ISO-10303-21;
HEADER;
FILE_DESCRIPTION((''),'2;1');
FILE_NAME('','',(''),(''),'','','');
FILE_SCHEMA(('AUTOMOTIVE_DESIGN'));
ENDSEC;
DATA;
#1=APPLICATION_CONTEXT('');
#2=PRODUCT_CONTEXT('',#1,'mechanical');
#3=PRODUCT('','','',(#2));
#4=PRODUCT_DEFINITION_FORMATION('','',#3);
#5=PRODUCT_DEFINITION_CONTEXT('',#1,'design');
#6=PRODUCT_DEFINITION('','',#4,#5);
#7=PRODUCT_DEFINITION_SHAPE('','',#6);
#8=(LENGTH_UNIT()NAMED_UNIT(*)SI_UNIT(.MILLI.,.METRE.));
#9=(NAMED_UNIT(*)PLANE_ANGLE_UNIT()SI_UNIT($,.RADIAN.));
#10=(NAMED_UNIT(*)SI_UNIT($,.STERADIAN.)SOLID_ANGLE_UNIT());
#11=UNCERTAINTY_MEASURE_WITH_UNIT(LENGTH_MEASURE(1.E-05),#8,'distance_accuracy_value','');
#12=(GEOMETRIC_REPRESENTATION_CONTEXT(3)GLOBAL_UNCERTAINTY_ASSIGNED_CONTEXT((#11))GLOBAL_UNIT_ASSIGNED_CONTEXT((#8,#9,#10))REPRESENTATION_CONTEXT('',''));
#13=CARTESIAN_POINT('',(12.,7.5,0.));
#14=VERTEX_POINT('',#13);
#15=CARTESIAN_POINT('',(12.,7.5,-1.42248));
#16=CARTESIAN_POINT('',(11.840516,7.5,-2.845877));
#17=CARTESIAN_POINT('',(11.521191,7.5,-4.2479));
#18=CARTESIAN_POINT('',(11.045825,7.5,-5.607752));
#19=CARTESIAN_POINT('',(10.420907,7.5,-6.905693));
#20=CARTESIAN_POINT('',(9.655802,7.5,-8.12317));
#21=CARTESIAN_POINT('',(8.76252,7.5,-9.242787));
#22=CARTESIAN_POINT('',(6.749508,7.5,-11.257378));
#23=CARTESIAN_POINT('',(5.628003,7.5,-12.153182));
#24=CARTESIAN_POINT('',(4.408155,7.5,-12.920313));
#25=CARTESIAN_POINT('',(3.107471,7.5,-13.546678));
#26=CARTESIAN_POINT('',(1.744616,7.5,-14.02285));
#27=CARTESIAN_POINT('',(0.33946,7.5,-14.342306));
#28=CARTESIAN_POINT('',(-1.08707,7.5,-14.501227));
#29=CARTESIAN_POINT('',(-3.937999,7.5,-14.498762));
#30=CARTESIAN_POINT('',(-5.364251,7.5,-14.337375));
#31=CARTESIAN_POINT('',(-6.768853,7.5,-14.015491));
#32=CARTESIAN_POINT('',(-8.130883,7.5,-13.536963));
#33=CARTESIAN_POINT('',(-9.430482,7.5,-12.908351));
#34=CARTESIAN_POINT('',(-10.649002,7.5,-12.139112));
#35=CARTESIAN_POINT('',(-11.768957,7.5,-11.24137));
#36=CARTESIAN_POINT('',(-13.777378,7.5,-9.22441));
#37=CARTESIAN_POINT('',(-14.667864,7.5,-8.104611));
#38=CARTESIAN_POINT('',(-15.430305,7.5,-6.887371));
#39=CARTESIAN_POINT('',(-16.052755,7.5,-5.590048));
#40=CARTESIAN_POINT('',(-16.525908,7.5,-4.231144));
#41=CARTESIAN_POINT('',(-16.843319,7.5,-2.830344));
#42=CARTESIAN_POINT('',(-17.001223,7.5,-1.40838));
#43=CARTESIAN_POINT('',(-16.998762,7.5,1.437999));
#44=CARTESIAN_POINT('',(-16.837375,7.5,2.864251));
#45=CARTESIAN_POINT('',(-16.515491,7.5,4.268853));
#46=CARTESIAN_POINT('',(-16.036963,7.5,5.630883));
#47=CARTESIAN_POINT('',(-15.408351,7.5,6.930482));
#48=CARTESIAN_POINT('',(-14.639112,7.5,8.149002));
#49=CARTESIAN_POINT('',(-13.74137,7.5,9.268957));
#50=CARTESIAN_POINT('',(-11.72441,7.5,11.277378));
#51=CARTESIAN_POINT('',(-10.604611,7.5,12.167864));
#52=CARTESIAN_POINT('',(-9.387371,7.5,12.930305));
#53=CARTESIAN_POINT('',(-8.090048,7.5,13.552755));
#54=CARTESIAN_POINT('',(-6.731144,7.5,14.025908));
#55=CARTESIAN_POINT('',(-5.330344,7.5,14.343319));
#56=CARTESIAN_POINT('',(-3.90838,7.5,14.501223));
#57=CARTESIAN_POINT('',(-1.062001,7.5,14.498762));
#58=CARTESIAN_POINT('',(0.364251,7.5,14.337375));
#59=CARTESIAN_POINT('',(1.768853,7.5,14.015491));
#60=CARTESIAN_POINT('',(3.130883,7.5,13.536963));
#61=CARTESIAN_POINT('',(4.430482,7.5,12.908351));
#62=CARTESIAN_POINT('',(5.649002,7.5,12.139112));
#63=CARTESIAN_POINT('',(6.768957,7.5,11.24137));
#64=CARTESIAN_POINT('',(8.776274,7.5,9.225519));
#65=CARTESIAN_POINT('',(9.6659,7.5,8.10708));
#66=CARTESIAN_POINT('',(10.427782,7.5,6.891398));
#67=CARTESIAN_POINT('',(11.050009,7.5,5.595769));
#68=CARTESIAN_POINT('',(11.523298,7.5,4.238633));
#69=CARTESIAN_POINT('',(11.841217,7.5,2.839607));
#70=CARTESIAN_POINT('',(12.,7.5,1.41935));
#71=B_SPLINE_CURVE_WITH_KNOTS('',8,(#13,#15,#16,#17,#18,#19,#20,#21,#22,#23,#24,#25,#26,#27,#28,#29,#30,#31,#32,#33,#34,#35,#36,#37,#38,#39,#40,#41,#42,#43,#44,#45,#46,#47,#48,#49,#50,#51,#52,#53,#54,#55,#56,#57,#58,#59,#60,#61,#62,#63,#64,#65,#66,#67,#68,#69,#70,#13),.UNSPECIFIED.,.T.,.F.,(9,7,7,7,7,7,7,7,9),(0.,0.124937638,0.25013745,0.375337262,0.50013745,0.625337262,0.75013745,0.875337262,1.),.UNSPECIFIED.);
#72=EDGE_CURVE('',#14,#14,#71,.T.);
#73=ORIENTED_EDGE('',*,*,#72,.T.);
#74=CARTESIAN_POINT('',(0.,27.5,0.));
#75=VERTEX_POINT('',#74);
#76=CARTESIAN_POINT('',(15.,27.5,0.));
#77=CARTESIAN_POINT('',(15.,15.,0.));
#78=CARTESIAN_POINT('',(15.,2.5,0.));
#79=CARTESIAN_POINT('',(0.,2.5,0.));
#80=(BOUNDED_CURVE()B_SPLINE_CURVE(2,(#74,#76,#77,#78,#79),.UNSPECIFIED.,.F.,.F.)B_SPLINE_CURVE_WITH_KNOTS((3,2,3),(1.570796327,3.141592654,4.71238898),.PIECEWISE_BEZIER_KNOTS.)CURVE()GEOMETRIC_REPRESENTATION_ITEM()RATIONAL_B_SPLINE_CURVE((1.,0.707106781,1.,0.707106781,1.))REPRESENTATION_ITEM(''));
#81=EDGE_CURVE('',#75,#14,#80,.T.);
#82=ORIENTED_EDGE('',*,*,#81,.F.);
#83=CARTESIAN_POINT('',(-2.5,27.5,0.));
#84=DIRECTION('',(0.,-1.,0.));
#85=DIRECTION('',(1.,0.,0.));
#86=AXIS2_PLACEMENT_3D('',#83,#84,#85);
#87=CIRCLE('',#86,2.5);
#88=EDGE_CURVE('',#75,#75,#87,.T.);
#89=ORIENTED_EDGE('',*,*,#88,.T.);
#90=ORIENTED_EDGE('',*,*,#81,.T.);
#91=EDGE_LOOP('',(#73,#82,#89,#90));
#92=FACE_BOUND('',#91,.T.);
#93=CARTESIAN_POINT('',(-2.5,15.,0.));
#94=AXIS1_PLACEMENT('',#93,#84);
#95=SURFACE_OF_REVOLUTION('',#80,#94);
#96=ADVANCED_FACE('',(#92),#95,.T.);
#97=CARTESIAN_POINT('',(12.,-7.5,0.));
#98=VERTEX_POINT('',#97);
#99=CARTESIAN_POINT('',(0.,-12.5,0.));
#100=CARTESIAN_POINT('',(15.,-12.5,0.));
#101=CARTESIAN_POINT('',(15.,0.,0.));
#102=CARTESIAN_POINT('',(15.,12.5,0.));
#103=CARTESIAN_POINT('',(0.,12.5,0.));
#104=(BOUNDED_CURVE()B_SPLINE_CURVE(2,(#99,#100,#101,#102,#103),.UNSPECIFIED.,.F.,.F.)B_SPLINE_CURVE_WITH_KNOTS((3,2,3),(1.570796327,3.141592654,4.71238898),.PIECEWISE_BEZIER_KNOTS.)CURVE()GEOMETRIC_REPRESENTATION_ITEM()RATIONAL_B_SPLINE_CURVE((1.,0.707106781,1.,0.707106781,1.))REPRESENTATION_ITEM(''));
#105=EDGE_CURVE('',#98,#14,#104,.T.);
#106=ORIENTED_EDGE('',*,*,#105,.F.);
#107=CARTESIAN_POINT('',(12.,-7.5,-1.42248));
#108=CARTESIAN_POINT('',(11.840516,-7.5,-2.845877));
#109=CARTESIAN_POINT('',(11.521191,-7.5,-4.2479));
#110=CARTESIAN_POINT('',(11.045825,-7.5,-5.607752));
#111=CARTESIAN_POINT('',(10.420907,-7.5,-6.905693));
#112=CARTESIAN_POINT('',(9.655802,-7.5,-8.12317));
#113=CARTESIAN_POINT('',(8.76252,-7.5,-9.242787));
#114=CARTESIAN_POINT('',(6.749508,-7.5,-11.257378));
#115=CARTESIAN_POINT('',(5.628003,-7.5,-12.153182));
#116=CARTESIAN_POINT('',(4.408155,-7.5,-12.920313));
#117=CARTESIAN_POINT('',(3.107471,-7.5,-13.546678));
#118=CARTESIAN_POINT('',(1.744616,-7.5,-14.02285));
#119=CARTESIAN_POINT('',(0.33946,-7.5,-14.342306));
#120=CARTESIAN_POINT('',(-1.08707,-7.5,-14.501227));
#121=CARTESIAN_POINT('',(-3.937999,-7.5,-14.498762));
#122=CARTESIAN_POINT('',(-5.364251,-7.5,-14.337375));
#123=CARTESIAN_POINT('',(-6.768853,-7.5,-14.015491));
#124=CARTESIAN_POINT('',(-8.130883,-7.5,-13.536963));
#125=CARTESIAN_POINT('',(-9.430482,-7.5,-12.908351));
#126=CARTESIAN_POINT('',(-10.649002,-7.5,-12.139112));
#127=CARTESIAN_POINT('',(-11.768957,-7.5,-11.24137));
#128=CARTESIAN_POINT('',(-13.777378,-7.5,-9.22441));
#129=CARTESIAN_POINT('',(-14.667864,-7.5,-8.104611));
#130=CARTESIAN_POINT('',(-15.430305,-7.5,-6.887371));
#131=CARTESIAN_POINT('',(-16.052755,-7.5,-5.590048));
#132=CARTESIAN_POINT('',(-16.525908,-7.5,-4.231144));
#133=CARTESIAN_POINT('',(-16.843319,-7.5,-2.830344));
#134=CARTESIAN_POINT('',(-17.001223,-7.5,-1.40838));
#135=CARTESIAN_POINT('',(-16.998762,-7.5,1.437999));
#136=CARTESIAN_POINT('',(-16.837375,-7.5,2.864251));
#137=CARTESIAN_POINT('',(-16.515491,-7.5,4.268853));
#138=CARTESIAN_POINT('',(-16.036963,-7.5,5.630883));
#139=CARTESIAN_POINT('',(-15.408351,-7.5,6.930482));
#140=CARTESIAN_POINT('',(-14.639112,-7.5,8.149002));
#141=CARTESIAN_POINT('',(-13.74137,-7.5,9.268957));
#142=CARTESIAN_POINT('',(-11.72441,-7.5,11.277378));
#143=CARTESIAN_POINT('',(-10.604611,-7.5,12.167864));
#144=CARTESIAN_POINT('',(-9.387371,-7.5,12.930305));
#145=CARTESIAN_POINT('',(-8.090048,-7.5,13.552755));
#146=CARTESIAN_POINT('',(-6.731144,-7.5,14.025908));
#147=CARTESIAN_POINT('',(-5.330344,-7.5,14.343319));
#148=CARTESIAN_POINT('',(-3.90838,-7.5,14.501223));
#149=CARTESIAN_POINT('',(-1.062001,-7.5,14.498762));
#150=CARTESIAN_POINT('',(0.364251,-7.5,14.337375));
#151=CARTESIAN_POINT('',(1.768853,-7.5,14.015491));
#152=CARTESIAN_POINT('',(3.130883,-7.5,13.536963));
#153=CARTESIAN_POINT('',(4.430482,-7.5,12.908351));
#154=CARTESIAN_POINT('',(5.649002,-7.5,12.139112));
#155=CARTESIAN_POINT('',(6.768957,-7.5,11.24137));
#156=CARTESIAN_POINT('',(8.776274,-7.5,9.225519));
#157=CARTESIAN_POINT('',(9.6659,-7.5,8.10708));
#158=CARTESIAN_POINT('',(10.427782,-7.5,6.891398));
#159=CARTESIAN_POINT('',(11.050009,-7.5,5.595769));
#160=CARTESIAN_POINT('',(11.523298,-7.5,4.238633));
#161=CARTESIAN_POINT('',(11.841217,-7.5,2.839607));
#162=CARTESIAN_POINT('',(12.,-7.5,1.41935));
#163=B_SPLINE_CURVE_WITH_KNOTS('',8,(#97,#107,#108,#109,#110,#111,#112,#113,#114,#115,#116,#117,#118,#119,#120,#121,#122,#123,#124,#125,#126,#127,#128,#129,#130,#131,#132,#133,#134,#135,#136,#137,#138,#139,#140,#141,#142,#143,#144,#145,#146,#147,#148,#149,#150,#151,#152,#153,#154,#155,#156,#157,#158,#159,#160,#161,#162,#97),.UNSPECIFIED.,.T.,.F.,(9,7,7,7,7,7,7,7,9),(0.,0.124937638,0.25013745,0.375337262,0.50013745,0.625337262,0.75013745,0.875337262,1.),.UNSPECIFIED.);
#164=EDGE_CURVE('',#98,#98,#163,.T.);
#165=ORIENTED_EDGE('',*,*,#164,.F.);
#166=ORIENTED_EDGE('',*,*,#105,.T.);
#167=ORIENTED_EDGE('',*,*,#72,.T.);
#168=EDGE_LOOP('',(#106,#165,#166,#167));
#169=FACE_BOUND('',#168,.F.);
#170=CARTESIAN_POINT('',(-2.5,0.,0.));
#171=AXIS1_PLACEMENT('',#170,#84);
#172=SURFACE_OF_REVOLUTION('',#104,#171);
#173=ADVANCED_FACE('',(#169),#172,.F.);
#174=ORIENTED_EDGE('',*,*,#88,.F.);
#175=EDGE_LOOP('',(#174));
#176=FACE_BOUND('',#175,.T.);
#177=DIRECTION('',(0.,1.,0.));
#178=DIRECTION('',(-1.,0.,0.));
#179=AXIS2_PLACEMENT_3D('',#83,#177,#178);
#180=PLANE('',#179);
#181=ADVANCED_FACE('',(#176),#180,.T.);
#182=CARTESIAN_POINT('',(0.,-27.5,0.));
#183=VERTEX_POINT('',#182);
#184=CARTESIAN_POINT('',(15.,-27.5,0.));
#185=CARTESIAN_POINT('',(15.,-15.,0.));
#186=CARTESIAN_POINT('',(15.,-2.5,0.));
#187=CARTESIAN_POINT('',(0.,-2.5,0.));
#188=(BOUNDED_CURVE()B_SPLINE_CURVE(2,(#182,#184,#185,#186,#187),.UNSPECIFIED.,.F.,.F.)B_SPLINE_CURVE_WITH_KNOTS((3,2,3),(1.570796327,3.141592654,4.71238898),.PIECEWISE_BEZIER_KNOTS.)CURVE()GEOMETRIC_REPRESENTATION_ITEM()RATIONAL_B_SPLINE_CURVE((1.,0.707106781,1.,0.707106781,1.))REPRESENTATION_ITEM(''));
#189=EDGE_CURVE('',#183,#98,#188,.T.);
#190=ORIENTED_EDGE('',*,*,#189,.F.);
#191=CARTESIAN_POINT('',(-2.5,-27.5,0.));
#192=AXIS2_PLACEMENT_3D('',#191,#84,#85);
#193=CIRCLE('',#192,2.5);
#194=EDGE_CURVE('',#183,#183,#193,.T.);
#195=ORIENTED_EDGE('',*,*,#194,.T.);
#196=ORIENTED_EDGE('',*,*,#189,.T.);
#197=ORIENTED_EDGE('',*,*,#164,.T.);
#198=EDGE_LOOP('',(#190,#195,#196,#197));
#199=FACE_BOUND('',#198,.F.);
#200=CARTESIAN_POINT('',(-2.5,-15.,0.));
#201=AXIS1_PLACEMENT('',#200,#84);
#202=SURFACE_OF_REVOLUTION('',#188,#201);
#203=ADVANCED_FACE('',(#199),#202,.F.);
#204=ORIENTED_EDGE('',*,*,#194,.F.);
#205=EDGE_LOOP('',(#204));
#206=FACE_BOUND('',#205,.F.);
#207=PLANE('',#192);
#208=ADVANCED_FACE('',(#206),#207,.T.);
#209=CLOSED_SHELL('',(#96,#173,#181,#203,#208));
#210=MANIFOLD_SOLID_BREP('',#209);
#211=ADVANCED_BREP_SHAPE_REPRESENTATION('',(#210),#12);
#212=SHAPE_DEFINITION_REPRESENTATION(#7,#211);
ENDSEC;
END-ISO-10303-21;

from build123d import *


with BuildPart() as f1:
    # F0 (on Top) → F1 (revolve)
    with BuildSketch(Plane.XY):
        with BuildLine():
            Line((-2.5, -12.5), (0, -12.5))
            add(Edge.make_bspline(
                [(0, -12.5), (15, -12.5), (15, 0), (15, 12.5), (0, 12.5)],
                knots=[1.5707963268, 1.5707963268, 1.5707963268, 3.1415926536, 3.1415926536, 4.7123889804, 4.7123889804, 4.7123889804], degree=2, weights=[1, 0.7071067812, 1, 0.7071067812, 1]))
            Line((0, 12.5), (-2.5, 12.5))
            Line((-2.5, 12.5), (-2.5, -12.5))
        make_face()
    revolve(axis=Axis((-2.5, 0, 0), (0, -1, 0)))

    # F3: F1 across plane


with BuildPart() as f1_1:
    add(f1.part)
    add(f1.part.mirror(Plane.XZ.offset(-7.5)))

    # F4: F1 across plane


with BuildPart() as f1_2:
    add(f1_1.part)
    add(f1_1.part.mirror(Plane.XZ))


solid = f1_2.part
